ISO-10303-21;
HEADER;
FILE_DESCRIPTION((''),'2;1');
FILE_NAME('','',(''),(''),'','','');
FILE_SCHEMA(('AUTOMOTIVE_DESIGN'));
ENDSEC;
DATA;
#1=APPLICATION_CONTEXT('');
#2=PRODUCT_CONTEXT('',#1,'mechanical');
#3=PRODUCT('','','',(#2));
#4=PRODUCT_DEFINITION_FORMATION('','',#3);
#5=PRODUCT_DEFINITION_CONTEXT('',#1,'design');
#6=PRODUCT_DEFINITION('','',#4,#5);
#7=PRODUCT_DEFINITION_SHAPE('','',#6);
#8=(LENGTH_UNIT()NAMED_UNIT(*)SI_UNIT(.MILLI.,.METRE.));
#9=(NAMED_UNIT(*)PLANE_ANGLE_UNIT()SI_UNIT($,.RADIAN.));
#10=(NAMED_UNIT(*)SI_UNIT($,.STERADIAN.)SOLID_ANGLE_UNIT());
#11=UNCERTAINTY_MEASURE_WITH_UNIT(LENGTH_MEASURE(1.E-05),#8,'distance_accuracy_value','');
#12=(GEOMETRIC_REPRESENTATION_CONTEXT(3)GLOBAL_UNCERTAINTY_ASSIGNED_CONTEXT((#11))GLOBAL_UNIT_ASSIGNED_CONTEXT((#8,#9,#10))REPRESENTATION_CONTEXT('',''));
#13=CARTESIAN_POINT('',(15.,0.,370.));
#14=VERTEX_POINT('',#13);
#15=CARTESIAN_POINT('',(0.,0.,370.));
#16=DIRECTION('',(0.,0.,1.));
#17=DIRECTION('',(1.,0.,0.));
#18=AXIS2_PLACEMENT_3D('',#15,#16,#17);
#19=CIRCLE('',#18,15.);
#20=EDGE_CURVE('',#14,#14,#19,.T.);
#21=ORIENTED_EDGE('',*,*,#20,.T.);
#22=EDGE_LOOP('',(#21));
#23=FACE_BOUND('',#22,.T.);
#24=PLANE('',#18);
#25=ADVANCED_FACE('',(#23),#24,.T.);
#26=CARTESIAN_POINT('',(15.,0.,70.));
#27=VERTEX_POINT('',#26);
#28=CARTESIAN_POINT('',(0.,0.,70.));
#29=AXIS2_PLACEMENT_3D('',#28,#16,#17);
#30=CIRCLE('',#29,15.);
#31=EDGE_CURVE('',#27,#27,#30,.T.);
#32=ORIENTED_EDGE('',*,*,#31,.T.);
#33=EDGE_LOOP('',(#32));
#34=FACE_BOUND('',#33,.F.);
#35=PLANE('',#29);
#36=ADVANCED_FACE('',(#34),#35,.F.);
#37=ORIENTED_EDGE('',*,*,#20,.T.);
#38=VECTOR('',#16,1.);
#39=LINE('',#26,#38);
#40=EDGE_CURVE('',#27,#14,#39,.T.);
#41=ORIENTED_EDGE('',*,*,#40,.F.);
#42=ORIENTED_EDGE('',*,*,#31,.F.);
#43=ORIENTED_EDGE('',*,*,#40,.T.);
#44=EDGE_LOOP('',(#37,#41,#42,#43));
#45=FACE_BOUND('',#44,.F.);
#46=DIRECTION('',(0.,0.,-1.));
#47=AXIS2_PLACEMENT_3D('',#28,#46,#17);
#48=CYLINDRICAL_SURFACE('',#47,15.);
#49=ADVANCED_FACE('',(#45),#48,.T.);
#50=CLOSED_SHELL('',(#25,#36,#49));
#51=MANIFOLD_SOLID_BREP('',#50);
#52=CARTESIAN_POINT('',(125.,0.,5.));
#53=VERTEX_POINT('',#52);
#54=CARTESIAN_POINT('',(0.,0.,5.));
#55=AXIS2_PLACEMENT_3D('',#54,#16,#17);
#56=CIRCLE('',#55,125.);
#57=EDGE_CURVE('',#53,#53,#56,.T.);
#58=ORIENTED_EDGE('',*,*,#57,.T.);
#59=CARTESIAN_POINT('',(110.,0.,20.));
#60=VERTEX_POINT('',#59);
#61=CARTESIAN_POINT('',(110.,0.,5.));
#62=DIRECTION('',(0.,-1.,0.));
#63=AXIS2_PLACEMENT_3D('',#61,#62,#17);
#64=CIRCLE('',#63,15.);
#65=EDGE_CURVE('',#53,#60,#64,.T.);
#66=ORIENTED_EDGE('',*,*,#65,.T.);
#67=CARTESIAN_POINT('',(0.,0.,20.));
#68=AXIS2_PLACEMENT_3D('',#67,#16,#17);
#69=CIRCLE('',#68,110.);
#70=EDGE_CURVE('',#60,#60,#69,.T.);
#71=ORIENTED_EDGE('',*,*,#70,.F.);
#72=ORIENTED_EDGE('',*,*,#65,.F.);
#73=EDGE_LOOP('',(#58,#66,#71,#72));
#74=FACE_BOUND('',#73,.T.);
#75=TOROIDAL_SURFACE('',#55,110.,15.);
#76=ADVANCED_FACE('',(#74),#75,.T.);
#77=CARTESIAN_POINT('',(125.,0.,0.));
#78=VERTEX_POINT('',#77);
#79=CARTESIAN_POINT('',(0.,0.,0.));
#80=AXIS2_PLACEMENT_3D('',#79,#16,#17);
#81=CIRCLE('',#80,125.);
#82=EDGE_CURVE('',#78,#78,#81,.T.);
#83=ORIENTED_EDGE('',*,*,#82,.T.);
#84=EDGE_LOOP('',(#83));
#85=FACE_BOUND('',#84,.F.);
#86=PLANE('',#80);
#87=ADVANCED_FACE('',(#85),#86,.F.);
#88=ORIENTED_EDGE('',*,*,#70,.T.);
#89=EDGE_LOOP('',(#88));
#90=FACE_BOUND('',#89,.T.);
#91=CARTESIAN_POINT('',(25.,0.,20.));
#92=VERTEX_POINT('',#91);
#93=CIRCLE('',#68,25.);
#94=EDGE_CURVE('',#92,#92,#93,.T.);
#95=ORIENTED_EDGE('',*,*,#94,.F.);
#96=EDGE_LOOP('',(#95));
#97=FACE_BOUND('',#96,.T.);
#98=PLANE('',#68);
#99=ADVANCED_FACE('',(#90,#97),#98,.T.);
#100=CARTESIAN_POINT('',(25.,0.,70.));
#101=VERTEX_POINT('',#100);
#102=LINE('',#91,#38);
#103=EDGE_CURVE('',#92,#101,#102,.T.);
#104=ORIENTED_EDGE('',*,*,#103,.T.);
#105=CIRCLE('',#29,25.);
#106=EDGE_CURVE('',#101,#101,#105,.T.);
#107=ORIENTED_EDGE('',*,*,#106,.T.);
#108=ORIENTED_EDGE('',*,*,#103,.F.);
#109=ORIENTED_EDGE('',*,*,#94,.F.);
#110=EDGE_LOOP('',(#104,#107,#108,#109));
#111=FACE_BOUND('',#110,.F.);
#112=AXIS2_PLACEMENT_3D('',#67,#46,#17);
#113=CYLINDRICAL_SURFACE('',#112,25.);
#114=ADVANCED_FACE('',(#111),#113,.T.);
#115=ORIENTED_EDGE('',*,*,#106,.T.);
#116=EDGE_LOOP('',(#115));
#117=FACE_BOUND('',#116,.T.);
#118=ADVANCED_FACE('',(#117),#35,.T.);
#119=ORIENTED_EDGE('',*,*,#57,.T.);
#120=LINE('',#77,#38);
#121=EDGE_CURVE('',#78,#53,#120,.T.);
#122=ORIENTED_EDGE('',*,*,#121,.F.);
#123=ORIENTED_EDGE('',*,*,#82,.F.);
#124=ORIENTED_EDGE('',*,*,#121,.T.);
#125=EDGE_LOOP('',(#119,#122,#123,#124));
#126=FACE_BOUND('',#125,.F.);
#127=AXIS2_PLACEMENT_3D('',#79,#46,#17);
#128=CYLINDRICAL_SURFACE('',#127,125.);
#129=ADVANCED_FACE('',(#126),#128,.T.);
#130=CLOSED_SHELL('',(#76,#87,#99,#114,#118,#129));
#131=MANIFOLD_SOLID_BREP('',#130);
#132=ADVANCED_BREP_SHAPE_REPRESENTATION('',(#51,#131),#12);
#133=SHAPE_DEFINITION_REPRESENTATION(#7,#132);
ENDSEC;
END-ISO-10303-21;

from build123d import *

# Parameters (mm, degrees)
SKETCH_R     = 125
PAD_DEPTH    = 20
SKETCH001_R  = 25
PAD001_DEPTH = 50
FILLET006_R  = 15
SKETCH002_R  = 15
PAD002_DEPTH = 300


with BuildPart() as body1:
    # Sketch → Pad (new body)
    with BuildSketch(Plane.XY):
        Circle(SKETCH_R)
    extrude(amount=PAD_DEPTH)

    # Sketch001 (on Face3 of Pad) → Pad001 (join)
    with BuildSketch(Plane.XY.offset(20)):
        Circle(SKETCH001_R)
    extrude(amount=PAD001_DEPTH)

    # Fillet006
    fillet006_edges = [body1.edges().sort_by_distance(p)[0] for p in [
        (-125, 0, 20),
    ]]
    fillet(fillet006_edges, radius=FILLET006_R)


with BuildPart() as body2:
    # Sketch002 (on CopyPad) → Pad002 (new body)
    with BuildSketch(Plane.XY.offset(70)):
        Circle(SKETCH002_R)
    extrude(amount=PAD002_DEPTH)


solid = Compound([body1.part, body2.part])
